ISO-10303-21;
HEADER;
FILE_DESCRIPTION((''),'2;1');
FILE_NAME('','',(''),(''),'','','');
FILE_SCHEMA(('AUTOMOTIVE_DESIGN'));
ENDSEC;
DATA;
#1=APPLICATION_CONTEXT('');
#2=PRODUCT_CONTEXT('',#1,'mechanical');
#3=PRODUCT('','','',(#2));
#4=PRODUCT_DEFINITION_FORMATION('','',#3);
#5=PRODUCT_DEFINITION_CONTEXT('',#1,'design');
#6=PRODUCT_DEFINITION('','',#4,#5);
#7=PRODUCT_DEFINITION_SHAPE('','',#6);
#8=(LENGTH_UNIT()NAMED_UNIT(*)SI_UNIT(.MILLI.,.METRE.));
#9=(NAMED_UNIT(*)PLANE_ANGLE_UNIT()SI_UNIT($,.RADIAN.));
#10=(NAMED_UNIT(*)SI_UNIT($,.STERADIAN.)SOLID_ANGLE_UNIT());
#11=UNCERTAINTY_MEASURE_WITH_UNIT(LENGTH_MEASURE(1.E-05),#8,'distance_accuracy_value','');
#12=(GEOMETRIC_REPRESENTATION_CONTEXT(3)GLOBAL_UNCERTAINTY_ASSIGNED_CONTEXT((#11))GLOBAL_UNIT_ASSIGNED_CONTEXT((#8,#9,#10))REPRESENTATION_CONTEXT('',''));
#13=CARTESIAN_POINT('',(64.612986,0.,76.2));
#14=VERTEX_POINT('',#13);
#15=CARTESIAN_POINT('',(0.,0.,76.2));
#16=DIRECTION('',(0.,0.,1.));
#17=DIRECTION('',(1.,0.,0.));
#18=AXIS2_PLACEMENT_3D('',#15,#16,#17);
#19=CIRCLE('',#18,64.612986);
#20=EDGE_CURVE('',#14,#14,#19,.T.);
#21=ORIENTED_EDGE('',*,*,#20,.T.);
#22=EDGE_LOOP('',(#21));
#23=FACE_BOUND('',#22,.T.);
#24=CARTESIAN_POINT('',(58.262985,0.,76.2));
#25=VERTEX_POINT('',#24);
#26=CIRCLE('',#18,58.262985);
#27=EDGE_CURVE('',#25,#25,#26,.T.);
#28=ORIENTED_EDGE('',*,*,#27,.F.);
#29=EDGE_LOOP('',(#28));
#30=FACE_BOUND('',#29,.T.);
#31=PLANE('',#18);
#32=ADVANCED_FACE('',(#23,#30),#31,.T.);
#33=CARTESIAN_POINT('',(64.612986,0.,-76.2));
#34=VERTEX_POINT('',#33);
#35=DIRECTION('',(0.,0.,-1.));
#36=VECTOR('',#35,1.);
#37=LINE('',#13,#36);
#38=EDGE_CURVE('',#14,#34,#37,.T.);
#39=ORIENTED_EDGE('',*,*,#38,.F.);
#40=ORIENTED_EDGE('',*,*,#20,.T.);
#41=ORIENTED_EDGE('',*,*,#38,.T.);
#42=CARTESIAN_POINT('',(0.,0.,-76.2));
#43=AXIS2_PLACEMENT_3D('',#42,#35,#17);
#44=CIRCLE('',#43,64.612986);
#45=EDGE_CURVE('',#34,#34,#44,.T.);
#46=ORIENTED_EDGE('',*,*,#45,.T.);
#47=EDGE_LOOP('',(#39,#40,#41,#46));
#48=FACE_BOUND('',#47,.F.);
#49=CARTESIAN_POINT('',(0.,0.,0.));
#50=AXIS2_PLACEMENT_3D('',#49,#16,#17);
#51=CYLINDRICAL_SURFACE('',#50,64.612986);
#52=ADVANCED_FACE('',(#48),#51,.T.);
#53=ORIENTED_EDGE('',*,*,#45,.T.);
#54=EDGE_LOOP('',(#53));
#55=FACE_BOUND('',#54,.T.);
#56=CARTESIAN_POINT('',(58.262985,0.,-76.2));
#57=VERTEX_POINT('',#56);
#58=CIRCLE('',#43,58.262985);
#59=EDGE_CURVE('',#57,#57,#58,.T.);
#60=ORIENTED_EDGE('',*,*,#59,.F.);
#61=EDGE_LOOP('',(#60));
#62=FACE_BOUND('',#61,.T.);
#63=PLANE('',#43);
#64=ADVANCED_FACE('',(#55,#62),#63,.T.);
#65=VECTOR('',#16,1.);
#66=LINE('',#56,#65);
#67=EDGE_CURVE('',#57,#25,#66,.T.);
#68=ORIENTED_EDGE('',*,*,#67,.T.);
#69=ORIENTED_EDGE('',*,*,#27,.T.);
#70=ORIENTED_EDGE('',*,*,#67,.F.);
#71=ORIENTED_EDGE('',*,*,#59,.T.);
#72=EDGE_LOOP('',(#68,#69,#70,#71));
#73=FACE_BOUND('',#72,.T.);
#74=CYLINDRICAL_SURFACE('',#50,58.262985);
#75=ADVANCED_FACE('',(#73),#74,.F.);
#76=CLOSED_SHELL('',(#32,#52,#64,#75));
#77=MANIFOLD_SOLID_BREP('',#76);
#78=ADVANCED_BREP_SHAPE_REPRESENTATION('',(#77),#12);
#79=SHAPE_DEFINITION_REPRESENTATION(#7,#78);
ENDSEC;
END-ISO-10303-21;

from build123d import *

# Parameters (mm, degrees)
F0_R        = 64.612986
F0_R_2      = 58.262985
F1_DEPTH    = 76.2
F1_FACE_R   = 64.612986
F1_FACE_R_2 = 58.262985
F2_DEPTH    = 76.2


with BuildPart() as f1:
    # F0 (on Top) → F1 (new body)
    with BuildSketch(Plane.XY):
        Circle(F0_R)
        Circle(F0_R_2, mode=Mode.SUBTRACT)
    extrude(amount=F1_DEPTH)

    # F1_face (on face) → F2 (join)
    with BuildSketch(Plane(origin=(0, 0, 0), x_dir=(1, 0, 0), z_dir=(0, 0, -1))):
        Circle(F1_FACE_R)
        Circle(F1_FACE_R_2, mode=Mode.SUBTRACT)
    extrude(amount=F2_DEPTH)


solid = f1.part
